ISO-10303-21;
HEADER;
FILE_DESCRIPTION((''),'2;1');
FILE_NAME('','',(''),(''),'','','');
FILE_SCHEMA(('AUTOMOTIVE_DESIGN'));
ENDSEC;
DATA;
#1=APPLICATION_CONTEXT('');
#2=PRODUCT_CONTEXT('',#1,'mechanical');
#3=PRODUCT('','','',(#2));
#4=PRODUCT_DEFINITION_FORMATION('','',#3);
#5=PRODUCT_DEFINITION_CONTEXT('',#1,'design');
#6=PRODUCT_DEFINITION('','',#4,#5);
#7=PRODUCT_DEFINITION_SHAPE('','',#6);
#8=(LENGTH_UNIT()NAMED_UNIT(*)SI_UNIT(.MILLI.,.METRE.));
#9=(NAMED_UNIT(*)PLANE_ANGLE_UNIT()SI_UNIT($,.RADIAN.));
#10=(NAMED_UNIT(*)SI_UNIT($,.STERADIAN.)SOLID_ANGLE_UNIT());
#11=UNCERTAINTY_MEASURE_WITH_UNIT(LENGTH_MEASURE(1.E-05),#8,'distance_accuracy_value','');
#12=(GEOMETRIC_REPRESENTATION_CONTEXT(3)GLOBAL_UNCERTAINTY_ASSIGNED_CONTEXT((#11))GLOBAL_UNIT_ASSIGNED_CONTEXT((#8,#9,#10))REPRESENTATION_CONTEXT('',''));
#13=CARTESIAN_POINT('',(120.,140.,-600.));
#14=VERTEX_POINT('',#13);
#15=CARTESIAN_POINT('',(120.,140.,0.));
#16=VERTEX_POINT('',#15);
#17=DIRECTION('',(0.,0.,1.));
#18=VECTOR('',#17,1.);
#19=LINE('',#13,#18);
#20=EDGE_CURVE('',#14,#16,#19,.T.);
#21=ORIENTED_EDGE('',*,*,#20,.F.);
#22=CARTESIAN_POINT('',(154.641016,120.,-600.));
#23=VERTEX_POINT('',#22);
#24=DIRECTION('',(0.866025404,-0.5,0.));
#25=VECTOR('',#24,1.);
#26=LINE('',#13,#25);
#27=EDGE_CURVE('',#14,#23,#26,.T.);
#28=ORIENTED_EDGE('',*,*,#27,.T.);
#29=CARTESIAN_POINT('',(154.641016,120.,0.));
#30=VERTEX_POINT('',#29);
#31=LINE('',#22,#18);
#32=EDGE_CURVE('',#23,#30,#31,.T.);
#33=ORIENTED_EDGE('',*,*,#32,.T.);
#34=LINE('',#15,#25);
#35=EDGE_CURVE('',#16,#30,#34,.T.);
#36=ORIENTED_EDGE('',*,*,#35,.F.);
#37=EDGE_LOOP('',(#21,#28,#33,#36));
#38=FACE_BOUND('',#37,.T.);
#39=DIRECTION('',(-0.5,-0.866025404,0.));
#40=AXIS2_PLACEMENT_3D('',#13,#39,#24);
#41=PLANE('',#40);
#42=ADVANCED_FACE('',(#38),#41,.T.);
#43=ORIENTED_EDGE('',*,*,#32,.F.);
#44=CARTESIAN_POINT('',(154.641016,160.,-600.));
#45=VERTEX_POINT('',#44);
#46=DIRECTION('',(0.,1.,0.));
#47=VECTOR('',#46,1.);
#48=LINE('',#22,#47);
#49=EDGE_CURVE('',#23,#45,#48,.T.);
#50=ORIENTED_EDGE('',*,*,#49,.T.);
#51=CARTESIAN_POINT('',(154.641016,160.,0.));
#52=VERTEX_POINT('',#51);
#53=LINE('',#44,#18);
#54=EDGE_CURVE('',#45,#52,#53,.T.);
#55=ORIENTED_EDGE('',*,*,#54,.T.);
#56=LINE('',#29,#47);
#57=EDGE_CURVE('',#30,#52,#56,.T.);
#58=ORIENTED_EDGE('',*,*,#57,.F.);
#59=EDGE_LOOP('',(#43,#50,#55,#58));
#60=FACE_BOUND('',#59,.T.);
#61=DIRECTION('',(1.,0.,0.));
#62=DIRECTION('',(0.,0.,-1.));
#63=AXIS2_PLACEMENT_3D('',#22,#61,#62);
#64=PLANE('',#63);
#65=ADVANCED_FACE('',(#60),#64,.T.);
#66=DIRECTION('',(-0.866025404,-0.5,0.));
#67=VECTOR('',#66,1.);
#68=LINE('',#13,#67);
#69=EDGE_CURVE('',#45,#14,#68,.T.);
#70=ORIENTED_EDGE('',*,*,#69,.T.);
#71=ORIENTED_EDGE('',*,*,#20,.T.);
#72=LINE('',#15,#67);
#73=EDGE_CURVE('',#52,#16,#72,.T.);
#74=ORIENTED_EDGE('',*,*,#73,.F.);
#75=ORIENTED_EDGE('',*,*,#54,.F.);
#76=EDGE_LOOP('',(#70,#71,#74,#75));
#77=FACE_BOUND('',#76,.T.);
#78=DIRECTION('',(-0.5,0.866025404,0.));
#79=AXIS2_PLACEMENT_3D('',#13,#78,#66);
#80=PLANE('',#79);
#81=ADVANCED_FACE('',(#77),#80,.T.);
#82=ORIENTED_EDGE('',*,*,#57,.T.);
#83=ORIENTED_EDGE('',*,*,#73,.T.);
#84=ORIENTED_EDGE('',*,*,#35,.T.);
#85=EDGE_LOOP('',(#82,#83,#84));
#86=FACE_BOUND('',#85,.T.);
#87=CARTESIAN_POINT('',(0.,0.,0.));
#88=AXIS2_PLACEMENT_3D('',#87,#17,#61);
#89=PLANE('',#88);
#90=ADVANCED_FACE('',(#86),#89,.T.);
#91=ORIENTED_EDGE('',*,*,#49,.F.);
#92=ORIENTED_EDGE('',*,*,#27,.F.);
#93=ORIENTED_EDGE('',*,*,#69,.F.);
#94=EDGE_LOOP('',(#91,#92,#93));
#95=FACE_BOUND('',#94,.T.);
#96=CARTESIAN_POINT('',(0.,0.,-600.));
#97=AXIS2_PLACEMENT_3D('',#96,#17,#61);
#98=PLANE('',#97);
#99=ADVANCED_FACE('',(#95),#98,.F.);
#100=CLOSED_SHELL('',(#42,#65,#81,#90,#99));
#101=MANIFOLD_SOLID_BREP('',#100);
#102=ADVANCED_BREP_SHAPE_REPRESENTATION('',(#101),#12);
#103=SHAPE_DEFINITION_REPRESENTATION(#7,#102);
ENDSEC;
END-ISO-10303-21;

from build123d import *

# Parameters (mm, degrees)
BOSS_EXTRUDE1_DEPTH = 600


with BuildPart() as part:
    # Sketch1 → Boss-Extrude1 (new body)
    with BuildSketch(Plane.XY):
        Polygon((120, 140), (154.641016151, 160), (154.641016151, 120), align=None)
    extrude(amount=-BOSS_EXTRUDE1_DEPTH)


solid = part.part
